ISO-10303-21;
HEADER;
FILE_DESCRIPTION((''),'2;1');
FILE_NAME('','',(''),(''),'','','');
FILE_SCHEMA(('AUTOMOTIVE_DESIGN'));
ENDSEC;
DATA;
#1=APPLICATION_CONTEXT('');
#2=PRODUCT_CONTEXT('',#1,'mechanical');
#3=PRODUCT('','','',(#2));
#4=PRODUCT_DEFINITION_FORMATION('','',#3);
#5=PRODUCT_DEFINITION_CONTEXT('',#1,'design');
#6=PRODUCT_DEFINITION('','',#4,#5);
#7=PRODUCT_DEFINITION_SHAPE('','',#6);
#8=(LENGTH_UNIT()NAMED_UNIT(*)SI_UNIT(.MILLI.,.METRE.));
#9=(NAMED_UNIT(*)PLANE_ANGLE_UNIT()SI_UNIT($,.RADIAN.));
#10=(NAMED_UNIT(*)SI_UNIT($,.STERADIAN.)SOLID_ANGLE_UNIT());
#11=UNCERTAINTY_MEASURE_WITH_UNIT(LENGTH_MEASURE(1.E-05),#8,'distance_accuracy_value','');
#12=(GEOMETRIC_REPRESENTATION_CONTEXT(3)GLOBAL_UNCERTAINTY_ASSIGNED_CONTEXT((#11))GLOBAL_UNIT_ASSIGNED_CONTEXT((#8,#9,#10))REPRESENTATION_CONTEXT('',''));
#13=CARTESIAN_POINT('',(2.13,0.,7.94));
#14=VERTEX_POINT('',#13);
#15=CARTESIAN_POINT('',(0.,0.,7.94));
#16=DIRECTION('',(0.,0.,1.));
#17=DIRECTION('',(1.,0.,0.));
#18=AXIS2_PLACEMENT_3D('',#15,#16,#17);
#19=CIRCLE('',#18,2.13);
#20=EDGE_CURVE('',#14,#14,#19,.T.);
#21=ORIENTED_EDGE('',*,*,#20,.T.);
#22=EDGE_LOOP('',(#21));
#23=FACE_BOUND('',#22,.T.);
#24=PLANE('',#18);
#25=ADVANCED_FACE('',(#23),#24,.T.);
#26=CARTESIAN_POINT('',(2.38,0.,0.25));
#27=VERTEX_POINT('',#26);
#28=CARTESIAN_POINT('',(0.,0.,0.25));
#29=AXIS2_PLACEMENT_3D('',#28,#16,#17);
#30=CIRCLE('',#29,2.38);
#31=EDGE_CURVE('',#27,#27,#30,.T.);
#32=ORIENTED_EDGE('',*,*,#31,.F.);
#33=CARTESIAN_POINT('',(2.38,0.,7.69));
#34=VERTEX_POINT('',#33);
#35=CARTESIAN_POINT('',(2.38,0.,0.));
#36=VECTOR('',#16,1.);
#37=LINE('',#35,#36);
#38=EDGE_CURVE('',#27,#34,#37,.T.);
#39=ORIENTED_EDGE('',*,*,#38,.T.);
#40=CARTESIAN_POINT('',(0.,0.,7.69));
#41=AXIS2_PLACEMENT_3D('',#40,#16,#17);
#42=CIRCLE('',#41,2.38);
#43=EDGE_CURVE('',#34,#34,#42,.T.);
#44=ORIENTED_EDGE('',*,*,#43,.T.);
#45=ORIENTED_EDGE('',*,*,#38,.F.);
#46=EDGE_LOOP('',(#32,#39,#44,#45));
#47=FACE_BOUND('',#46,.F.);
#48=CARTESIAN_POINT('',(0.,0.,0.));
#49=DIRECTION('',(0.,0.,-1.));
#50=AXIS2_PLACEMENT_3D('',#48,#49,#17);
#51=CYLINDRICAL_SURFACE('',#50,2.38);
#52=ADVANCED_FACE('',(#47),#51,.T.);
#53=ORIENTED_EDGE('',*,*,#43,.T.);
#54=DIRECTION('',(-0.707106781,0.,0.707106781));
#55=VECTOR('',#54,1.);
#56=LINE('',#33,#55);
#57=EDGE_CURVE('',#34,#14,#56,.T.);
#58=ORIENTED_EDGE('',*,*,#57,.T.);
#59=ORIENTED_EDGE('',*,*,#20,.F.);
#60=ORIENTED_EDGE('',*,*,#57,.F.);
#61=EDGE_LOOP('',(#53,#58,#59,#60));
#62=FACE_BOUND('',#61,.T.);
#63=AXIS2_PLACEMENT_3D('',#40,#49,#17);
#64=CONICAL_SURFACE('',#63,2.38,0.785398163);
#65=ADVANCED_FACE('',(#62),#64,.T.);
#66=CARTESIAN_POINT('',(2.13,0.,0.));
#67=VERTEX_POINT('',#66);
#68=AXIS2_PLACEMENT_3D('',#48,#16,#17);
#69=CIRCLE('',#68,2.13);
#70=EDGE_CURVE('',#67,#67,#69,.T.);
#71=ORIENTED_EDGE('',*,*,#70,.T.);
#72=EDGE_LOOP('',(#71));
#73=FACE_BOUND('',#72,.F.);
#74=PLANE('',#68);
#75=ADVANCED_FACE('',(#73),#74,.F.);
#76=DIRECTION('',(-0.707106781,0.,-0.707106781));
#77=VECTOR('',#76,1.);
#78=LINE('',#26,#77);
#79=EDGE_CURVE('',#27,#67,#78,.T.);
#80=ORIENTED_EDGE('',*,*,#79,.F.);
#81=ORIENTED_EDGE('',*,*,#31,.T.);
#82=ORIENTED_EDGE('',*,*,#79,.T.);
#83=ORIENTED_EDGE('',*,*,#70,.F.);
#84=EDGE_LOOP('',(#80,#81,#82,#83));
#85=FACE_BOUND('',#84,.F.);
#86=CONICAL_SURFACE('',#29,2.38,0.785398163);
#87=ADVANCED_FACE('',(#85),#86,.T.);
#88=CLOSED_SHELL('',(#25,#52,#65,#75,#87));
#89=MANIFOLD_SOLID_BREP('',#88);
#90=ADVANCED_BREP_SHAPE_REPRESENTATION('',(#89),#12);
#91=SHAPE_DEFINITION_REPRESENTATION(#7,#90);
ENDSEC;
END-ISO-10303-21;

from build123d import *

# Parameters (mm, degrees)
SKETCH_R     = 2.38
PAD_DEPTH    = 7.94
CHAMFER_SIZE = 0.25


with BuildPart() as part:
    # Sketch → Pad (new body)
    with BuildSketch(Plane.XY):
        Circle(SKETCH_R)
    extrude(amount=PAD_DEPTH)

    # Chamfer
    chamfer_edges = [part.edges().sort_by_distance(p)[0] for p in [
        (-2.38, 0, 7.94),
        (-2.38, 0, 0),
    ]]
    chamfer(chamfer_edges, length=CHAMFER_SIZE)


solid = part.part
